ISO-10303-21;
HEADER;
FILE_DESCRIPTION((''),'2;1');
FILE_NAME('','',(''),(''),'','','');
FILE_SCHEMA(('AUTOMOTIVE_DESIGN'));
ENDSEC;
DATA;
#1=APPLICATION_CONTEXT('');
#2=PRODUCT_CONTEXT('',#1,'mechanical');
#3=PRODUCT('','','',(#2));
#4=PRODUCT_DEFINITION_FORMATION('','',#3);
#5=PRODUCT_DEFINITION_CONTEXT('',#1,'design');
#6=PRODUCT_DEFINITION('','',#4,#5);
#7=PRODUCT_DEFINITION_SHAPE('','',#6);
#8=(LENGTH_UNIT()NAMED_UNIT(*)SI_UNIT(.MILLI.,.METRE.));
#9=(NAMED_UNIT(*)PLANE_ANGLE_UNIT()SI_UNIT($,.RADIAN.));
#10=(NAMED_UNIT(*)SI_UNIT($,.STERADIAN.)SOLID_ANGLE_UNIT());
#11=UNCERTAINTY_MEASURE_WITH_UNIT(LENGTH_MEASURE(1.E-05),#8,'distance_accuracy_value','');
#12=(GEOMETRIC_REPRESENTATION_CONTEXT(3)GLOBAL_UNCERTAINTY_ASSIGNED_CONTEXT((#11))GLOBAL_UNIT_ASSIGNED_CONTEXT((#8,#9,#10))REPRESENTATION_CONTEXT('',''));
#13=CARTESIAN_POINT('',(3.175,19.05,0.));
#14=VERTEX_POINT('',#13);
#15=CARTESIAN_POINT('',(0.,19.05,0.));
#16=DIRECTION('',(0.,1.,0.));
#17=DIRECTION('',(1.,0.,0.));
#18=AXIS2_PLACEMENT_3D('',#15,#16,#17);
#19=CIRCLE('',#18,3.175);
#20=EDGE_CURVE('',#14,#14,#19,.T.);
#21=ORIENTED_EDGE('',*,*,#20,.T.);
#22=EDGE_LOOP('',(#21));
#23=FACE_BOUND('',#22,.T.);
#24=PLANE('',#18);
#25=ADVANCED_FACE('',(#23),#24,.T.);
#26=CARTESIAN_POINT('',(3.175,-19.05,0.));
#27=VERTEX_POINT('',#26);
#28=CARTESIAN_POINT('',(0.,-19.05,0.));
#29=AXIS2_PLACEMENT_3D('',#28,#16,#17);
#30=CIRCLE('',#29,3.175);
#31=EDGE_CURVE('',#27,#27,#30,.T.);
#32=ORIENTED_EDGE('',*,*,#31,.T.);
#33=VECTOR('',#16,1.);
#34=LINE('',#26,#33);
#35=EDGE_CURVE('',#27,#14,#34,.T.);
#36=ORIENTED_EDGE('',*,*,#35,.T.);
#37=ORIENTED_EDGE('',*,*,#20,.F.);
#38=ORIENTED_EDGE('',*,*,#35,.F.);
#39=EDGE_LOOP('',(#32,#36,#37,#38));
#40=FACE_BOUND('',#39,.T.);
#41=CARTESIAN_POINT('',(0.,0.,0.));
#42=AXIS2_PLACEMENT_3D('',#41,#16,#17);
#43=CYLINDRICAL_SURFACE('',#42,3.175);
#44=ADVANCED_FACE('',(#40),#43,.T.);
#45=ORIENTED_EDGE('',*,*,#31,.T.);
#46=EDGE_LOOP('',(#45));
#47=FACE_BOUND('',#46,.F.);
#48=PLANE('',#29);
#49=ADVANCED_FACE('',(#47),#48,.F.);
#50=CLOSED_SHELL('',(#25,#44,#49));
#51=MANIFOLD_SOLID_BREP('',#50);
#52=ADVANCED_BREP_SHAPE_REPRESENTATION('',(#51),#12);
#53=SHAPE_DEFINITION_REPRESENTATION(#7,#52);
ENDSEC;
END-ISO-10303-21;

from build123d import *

# Parameters (mm, degrees)
SKETCH1_R           = 3.175
BOSS_EXTRUDE1_DEPTH = 19.05


with BuildPart() as part:
    # Sketch1 → Boss-Extrude1 (new body, symmetric)
    with BuildSketch(Plane(origin=(0, 0, 0), x_dir=(1, 0, 0), z_dir=(0, 1, 0))):
        Circle(SKETCH1_R)
    extrude(amount=BOSS_EXTRUDE1_DEPTH, both=True)


solid = part.part
